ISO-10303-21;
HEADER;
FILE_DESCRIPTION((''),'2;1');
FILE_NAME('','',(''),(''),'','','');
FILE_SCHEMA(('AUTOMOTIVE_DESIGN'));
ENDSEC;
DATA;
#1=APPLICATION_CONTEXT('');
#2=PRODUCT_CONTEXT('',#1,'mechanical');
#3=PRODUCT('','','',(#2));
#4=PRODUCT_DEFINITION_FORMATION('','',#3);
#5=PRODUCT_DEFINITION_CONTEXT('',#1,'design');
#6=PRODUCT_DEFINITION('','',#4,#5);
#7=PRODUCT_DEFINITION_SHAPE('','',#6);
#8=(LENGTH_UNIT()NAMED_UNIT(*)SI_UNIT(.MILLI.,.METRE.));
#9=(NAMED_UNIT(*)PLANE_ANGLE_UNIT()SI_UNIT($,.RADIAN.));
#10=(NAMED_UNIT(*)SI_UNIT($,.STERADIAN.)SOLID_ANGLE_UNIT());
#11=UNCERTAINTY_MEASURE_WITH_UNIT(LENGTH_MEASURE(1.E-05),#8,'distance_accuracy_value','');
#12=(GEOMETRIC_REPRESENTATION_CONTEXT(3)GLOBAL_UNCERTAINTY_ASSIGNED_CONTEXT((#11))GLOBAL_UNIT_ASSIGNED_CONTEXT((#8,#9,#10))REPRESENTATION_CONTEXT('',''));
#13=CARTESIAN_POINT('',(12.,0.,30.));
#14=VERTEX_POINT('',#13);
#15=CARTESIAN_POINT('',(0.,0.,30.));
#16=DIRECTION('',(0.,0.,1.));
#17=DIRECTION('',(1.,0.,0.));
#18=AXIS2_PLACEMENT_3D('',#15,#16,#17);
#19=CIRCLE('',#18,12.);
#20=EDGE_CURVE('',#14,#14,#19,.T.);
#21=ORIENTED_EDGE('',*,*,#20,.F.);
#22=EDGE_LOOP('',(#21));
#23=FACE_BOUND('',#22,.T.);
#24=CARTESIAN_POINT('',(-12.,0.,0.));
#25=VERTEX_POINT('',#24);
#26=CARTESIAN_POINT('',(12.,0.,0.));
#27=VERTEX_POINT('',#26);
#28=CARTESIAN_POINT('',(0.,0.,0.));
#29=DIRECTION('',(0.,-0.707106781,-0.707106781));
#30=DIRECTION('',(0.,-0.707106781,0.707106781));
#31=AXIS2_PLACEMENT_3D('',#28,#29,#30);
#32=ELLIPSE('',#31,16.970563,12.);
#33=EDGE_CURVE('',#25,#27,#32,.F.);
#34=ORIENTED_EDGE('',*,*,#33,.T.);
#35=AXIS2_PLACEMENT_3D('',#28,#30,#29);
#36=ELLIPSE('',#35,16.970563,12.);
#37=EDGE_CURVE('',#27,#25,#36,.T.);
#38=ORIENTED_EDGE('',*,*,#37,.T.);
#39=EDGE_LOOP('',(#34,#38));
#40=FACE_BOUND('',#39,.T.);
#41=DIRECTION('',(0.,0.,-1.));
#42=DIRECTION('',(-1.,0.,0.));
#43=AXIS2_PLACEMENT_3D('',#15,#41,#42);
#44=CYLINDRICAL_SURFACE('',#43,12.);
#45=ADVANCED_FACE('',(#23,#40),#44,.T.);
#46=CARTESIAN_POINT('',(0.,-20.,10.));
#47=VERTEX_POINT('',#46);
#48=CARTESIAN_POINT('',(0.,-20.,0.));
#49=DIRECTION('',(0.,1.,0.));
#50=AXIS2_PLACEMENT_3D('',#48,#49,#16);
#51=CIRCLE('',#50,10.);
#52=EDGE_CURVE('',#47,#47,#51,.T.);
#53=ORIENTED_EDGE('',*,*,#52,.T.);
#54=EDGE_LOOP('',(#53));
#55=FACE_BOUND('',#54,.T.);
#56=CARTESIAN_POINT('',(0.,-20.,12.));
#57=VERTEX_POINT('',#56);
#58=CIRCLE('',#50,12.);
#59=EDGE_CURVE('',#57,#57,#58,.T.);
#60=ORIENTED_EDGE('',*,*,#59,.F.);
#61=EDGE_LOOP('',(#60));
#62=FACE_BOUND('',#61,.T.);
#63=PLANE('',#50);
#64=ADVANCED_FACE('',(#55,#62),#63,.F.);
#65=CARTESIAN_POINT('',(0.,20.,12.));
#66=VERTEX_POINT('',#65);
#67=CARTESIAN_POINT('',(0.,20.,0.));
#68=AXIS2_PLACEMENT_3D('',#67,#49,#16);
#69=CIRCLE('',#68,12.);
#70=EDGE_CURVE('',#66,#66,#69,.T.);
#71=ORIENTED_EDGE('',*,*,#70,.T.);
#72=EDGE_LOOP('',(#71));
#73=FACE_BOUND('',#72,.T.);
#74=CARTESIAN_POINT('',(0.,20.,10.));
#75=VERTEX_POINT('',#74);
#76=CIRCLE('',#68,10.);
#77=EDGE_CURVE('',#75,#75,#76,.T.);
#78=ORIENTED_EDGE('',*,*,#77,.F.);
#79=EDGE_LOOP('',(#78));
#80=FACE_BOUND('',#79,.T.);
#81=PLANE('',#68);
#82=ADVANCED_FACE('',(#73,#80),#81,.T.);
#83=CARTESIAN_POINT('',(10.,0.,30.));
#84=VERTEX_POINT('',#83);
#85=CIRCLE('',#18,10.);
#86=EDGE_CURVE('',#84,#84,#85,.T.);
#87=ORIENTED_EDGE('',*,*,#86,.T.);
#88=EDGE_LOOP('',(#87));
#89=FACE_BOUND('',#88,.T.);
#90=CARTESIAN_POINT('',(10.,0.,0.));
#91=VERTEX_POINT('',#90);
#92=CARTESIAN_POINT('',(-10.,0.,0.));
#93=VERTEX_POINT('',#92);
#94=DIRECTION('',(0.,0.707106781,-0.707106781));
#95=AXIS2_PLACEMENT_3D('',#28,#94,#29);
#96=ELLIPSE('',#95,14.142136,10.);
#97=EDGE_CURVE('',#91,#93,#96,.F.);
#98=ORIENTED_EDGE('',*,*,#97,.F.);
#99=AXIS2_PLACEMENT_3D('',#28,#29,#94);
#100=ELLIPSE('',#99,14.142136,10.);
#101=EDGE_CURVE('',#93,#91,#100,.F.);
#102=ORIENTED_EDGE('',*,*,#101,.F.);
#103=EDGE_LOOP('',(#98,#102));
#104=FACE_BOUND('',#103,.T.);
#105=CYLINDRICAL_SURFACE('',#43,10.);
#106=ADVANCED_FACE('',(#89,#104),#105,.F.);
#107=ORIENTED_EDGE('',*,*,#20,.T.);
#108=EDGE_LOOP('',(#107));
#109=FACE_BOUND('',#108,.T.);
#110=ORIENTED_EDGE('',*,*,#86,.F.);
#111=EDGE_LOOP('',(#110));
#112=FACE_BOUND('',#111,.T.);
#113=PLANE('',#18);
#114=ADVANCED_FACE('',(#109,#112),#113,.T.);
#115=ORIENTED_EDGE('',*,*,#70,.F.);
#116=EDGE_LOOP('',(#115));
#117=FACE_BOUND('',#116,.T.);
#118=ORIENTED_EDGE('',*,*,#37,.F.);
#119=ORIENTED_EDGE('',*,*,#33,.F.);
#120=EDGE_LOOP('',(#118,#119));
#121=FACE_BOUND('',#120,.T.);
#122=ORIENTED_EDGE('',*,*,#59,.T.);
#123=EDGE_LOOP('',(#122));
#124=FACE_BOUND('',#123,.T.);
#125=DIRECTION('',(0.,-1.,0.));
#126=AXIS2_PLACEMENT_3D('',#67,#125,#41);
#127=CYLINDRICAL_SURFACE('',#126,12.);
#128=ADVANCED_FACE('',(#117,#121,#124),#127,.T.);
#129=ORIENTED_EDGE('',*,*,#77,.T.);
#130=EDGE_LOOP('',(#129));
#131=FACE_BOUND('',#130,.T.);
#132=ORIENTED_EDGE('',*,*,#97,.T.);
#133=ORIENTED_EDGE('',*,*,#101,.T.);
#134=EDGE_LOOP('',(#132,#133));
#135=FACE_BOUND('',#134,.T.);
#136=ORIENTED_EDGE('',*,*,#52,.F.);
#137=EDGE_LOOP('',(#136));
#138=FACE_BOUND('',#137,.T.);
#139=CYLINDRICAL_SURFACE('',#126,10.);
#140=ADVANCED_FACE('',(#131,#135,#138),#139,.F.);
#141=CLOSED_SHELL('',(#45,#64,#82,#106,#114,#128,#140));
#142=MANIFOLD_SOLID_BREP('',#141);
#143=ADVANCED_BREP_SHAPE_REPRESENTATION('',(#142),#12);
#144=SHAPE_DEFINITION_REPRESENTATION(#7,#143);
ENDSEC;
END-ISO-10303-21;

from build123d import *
from build123d.topology import SkipClean

# Parameters (mm, degrees)
SKETCH_1_R          = 12
SKETCH_1_R_2        = 10
EXTRUDE_1_DEPTH     = 20
SKETCH_2_R          = 12
SKETCH_2_R_2        = 10
EXTRUDE_2_DEPTH     = 30
SKETCH_2_2_R        = 10
CUT_EXTRUDE_1_DEPTH = 30
SKETCH_1_2_R        = 10
CUT_EXTRUDE_2_DEPTH = 15


with BuildPart() as part:
    # 草图1 → 凸台-拉伸1 (new, symmetric)
    with BuildSketch(Plane(origin=(0, 0, 0), x_dir=(1, 0, 0), z_dir=(0, 1, 0))):
        Circle(SKETCH_1_R)
        Circle(SKETCH_1_R_2, mode=Mode.SUBTRACT)
    extrude(amount=EXTRUDE_1_DEPTH, both=True)

    # 草图2 → 凸台-拉伸2 (add)
    with BuildSketch(Plane.XY):
        Circle(SKETCH_2_R)
        Circle(SKETCH_2_R_2, mode=Mode.SUBTRACT)
    extrude(amount=EXTRUDE_2_DEPTH)

    # 草图2<2> → 切除-拉伸1 (cut)
    with BuildSketch(Plane.XY):
        Circle(SKETCH_2_2_R)
    extrude(amount=CUT_EXTRUDE_1_DEPTH, mode=Mode.SUBTRACT)

    # 草图1<2> → 切除-拉伸2 (cut, symmetric)
    with SkipClean():  # the faces are left unmerged after this step: merging them gives an invalid solid
        with BuildSketch(Plane(origin=(0, 0, 0), x_dir=(1, 0, 0), z_dir=(0, 1, 0))):
            Circle(SKETCH_1_2_R)
        extrude(amount=CUT_EXTRUDE_2_DEPTH, both=True, mode=Mode.SUBTRACT)


solid = part.part
